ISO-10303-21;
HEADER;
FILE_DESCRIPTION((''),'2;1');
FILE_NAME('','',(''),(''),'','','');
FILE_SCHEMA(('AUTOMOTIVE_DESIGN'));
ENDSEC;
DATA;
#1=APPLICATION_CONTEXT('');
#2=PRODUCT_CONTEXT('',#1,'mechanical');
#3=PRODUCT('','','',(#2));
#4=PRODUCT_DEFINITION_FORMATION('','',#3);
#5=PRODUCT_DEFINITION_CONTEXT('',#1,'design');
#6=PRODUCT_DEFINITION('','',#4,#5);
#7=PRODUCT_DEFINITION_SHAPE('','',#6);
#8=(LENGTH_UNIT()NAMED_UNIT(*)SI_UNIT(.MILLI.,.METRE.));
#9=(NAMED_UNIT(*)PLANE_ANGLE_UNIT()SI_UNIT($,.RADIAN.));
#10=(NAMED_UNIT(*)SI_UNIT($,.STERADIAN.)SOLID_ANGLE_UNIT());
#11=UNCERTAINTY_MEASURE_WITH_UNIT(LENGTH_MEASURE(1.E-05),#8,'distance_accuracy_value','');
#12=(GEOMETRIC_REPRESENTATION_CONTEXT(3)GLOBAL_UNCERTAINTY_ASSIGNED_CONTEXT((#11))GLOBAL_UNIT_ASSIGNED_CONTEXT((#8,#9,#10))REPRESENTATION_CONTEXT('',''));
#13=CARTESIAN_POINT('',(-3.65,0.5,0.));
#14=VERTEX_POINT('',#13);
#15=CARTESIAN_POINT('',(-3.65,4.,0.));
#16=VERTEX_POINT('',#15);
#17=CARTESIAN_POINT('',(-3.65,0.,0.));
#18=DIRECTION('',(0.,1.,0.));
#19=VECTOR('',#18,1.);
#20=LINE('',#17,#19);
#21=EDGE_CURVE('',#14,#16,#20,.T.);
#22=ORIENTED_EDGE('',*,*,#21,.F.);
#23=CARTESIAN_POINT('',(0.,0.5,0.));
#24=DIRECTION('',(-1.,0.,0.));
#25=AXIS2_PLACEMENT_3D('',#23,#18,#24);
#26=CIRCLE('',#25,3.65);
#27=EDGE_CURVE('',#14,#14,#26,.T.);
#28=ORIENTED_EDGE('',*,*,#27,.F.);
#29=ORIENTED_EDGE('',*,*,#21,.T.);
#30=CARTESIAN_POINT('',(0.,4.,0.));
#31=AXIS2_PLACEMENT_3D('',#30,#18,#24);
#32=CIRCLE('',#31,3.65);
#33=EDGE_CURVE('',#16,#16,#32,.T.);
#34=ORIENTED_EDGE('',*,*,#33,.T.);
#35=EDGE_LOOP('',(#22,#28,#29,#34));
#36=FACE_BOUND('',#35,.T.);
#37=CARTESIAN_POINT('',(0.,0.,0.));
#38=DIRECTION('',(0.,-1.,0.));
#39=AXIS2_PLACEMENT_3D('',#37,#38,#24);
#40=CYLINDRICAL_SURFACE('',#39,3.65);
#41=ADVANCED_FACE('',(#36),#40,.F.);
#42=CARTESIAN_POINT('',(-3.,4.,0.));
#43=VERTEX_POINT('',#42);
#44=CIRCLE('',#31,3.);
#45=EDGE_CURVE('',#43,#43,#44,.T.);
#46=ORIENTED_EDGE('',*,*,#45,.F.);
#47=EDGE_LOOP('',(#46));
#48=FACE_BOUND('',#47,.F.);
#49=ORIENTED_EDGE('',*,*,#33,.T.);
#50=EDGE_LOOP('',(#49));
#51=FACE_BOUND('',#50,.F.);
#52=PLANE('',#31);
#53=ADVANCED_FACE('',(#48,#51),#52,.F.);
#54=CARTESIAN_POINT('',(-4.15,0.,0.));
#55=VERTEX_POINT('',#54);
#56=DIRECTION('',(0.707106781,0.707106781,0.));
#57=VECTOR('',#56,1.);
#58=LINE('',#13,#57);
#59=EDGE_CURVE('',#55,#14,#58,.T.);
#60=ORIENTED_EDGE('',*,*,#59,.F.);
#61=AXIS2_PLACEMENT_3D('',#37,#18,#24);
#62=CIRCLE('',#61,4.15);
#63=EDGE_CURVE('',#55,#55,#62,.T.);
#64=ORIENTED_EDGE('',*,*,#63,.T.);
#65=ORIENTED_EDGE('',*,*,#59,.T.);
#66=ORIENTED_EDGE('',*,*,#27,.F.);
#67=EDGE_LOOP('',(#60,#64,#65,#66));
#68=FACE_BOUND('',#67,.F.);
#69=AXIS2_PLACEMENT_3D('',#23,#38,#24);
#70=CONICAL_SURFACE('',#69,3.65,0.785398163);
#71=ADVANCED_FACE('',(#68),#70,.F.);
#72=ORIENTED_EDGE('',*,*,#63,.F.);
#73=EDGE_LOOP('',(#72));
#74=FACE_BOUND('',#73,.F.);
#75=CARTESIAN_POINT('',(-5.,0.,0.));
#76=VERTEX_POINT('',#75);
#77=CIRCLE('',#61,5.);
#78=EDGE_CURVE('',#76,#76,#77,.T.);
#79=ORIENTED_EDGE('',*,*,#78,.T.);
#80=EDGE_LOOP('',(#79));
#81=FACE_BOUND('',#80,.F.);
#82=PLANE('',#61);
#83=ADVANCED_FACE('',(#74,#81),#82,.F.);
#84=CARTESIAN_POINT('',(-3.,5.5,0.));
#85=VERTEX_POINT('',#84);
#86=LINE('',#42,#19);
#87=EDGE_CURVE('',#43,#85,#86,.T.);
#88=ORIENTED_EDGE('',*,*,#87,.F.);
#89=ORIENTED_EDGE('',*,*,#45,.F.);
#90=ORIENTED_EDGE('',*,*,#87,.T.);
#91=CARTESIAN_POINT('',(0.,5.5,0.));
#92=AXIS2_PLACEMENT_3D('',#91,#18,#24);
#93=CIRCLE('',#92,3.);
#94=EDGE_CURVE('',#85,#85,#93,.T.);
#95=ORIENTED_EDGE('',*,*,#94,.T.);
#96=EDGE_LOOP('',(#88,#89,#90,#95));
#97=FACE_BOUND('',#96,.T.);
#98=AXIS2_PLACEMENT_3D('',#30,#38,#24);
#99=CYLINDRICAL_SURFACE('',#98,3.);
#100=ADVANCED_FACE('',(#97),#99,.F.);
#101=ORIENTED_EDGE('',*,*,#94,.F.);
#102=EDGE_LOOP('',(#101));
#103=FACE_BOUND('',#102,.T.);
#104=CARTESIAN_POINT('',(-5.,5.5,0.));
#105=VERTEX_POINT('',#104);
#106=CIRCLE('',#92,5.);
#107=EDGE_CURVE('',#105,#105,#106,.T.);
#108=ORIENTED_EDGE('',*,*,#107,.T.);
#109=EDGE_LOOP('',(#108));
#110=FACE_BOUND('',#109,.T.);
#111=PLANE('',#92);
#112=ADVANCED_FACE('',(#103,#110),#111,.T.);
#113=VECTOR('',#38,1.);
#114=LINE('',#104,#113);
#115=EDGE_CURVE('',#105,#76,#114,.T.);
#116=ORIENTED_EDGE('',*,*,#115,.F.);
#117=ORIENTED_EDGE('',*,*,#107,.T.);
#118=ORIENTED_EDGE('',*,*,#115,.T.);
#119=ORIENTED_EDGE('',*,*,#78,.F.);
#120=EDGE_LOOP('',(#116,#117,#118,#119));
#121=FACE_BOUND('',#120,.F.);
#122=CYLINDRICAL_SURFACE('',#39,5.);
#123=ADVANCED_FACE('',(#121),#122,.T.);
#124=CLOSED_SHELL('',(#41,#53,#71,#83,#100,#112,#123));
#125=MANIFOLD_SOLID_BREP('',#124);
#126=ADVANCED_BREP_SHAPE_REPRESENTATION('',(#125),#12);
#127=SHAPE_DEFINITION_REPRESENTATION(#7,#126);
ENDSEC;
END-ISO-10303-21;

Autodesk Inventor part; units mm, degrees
ref_plane "YZ Plane" through (0, 0, 0) normal (1, 0, 0) x (0, 1, 0)
ref_plane "XZ Plane" through (0, 0, 0) normal (0, 1, 0) x (-1, 0, 0)
ref_plane "XY Plane" through (0, 0, 0) normal (0, 0, 1) x (1, 0, 0)
sketch "Sketch1" plane through (0, 0, 0) normal (0, 1, 0) x (-1, 0, 0)
  circle A0 centre (0, 0) radius 3
  circle A1 centre (0, 0) radius 5
  circle A2 centre (0, 0) radius 3.65
  dimension "d0" = 6
  dimension "d1" = 10
  dimension "d2" = 7.3
extrude "Extrusion1" add sketch "Sketch1" along normal blind 4 contours A1
extrude "Extrusion2" add sketch "Sketch1" along normal blind 1.5 from surface at 4 contours A1 | A2
chamfer "Chamfer1" distance 0.5 angle 45 1 edges at (3.65, 0, 0)
properties part number "TransmissionBeltTensionerRoller"
